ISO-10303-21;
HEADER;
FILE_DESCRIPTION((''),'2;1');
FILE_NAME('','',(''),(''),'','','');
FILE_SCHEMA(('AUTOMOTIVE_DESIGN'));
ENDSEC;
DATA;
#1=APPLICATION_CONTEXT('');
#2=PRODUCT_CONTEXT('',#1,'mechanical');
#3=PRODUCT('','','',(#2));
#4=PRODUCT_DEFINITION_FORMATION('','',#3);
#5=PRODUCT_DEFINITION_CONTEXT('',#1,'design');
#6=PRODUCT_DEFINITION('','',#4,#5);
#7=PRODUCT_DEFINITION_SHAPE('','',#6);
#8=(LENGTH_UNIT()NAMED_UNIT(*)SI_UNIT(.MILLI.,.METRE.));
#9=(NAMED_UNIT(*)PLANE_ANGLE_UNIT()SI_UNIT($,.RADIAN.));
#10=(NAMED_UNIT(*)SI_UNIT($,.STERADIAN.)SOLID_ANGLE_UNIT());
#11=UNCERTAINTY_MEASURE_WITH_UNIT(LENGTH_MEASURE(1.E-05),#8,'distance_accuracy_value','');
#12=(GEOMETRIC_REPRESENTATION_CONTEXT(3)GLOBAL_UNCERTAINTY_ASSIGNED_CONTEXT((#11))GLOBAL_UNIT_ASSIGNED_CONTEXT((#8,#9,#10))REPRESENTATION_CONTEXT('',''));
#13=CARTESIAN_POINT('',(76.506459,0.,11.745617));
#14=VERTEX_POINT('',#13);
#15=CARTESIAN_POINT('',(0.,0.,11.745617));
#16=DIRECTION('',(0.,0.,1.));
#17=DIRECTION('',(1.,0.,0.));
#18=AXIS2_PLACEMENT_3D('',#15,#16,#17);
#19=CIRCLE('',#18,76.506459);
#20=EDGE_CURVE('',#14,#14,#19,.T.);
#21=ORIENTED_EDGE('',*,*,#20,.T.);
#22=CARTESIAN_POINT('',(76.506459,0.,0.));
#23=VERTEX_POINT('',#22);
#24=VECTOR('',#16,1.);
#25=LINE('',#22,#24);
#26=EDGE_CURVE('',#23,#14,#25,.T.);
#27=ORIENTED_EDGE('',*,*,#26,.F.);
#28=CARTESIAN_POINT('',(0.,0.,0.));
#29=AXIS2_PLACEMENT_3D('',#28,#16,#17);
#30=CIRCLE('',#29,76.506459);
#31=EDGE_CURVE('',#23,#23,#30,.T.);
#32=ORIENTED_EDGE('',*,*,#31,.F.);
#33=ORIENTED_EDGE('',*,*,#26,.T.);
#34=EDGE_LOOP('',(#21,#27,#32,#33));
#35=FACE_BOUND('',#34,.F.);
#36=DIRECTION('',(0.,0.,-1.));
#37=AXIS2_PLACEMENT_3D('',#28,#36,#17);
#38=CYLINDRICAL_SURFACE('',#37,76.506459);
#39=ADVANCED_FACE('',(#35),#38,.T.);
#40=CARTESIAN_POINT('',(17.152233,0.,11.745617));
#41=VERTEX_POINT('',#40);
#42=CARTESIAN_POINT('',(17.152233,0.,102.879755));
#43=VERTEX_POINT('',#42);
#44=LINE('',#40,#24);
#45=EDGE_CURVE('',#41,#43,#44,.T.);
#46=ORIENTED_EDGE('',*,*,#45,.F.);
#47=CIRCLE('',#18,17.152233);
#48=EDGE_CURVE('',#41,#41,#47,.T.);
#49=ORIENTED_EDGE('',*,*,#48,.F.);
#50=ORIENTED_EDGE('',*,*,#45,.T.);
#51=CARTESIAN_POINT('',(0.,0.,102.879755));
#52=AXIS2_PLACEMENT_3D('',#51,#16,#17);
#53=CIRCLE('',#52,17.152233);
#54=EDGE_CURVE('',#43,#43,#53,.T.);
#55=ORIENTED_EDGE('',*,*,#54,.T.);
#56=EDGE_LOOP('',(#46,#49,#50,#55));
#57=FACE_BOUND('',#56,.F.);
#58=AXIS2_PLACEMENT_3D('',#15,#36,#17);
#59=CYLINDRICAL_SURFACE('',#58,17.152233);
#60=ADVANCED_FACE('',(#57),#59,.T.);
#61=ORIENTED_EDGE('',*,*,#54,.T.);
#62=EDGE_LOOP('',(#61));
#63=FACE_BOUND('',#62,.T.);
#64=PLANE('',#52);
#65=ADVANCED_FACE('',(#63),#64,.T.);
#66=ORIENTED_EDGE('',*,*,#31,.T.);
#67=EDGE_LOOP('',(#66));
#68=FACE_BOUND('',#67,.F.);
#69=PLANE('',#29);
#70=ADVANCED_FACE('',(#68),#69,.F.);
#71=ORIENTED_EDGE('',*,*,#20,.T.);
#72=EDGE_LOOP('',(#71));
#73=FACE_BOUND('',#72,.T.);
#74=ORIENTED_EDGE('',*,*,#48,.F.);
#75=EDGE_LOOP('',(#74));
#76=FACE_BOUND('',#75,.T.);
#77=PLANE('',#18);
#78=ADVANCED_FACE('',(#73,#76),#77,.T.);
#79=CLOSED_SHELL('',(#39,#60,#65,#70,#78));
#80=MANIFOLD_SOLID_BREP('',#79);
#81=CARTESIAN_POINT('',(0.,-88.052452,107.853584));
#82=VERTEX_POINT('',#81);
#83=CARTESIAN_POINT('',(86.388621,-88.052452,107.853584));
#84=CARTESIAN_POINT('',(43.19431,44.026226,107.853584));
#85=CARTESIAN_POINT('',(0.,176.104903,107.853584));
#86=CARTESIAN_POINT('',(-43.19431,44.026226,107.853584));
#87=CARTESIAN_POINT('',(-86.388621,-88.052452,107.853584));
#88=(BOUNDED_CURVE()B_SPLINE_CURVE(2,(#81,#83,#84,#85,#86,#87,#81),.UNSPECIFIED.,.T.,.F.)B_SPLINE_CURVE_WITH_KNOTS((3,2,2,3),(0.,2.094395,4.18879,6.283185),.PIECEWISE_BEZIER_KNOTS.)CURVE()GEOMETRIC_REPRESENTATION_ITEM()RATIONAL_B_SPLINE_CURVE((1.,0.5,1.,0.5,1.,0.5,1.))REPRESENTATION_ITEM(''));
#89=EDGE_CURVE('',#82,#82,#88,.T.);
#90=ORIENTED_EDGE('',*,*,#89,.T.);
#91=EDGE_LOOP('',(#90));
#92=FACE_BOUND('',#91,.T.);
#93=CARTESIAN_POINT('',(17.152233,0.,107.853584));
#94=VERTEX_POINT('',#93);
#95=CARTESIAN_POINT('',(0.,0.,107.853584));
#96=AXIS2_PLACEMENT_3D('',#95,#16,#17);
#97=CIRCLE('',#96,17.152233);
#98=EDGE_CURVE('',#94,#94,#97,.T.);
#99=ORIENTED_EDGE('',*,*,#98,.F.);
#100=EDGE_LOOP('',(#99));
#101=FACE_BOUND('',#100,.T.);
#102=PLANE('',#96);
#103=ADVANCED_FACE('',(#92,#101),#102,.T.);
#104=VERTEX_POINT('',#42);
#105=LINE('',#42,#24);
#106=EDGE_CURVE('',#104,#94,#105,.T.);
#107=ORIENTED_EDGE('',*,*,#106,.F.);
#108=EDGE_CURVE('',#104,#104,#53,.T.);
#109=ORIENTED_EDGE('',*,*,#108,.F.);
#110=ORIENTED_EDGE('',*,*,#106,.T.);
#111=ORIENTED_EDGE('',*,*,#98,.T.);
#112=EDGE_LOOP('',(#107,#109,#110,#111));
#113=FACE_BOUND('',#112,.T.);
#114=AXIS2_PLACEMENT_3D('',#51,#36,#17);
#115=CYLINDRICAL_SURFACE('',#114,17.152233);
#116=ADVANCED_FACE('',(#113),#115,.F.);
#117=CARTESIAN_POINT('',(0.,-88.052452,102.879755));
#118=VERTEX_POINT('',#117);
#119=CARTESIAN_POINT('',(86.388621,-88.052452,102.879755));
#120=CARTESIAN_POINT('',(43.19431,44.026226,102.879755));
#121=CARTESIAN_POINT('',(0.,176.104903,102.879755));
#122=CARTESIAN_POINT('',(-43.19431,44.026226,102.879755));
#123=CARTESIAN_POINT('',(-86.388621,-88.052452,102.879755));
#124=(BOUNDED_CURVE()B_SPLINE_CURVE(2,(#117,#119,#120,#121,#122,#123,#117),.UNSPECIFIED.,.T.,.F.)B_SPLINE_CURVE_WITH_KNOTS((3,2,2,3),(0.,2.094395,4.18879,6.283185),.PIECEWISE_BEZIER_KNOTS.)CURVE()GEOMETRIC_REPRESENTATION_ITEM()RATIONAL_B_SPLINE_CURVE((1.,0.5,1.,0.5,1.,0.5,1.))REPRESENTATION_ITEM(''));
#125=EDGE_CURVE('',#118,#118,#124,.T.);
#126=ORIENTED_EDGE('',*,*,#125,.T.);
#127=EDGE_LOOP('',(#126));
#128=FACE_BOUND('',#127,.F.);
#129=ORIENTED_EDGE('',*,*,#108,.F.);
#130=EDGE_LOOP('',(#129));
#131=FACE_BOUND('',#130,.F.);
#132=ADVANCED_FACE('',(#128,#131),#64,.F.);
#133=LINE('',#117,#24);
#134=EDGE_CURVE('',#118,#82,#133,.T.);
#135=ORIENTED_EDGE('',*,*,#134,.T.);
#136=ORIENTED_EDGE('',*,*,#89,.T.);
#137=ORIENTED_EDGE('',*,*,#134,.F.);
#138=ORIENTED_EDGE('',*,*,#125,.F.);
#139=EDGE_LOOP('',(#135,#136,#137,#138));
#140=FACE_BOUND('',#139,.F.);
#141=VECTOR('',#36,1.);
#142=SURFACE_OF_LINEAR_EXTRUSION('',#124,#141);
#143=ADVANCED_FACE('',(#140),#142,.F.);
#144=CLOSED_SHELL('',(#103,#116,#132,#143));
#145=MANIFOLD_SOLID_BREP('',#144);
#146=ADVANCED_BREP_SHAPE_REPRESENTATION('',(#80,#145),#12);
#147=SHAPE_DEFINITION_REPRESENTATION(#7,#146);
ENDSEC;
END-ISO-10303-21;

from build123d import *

# Parameters (mm, degrees)
F0_R     = 76.506459
F1_DEPTH = 11.745617
F2_R     = 17.152233
F3_DEPTH = 91.134138
F5_R     = 17.152233
F6_DEPTH = 4.973829


with BuildPart() as f1:
    # F0 (on Top) → F1 (new body)
    with BuildSketch(Plane.XY):
        Circle(F0_R)
    extrude(amount=F1_DEPTH)

    # F2 (on face) → F3 (join)
    with BuildSketch(Plane.XY.offset(11.745617)):
        Circle(F2_R)
    extrude(amount=F3_DEPTH)


with BuildPart() as f6:
    # F5 (on face) → F6 (new body)
    with BuildSketch(Plane.XY.offset(102.879755)):
        with BuildLine():
            add(Edge.make_bspline(
                [(0, -88.052452), (86.388621, -88.052452), (43.19431, 44.026226), (0, 176.104903), (-43.19431, 44.026226), (-86.388621, -88.052452), (0, -88.052452)],
                knots=[0, 0, 0, 2.094395, 2.094395, 4.18879, 4.18879, 6.283185, 6.283185, 6.283185], degree=2, weights=[1, 0.5, 1, 0.5, 1, 0.5, 1]))
        make_face()
        Circle(F5_R, mode=Mode.SUBTRACT)
    extrude(amount=F6_DEPTH)


solid = Compound([f1.part, f6.part])
